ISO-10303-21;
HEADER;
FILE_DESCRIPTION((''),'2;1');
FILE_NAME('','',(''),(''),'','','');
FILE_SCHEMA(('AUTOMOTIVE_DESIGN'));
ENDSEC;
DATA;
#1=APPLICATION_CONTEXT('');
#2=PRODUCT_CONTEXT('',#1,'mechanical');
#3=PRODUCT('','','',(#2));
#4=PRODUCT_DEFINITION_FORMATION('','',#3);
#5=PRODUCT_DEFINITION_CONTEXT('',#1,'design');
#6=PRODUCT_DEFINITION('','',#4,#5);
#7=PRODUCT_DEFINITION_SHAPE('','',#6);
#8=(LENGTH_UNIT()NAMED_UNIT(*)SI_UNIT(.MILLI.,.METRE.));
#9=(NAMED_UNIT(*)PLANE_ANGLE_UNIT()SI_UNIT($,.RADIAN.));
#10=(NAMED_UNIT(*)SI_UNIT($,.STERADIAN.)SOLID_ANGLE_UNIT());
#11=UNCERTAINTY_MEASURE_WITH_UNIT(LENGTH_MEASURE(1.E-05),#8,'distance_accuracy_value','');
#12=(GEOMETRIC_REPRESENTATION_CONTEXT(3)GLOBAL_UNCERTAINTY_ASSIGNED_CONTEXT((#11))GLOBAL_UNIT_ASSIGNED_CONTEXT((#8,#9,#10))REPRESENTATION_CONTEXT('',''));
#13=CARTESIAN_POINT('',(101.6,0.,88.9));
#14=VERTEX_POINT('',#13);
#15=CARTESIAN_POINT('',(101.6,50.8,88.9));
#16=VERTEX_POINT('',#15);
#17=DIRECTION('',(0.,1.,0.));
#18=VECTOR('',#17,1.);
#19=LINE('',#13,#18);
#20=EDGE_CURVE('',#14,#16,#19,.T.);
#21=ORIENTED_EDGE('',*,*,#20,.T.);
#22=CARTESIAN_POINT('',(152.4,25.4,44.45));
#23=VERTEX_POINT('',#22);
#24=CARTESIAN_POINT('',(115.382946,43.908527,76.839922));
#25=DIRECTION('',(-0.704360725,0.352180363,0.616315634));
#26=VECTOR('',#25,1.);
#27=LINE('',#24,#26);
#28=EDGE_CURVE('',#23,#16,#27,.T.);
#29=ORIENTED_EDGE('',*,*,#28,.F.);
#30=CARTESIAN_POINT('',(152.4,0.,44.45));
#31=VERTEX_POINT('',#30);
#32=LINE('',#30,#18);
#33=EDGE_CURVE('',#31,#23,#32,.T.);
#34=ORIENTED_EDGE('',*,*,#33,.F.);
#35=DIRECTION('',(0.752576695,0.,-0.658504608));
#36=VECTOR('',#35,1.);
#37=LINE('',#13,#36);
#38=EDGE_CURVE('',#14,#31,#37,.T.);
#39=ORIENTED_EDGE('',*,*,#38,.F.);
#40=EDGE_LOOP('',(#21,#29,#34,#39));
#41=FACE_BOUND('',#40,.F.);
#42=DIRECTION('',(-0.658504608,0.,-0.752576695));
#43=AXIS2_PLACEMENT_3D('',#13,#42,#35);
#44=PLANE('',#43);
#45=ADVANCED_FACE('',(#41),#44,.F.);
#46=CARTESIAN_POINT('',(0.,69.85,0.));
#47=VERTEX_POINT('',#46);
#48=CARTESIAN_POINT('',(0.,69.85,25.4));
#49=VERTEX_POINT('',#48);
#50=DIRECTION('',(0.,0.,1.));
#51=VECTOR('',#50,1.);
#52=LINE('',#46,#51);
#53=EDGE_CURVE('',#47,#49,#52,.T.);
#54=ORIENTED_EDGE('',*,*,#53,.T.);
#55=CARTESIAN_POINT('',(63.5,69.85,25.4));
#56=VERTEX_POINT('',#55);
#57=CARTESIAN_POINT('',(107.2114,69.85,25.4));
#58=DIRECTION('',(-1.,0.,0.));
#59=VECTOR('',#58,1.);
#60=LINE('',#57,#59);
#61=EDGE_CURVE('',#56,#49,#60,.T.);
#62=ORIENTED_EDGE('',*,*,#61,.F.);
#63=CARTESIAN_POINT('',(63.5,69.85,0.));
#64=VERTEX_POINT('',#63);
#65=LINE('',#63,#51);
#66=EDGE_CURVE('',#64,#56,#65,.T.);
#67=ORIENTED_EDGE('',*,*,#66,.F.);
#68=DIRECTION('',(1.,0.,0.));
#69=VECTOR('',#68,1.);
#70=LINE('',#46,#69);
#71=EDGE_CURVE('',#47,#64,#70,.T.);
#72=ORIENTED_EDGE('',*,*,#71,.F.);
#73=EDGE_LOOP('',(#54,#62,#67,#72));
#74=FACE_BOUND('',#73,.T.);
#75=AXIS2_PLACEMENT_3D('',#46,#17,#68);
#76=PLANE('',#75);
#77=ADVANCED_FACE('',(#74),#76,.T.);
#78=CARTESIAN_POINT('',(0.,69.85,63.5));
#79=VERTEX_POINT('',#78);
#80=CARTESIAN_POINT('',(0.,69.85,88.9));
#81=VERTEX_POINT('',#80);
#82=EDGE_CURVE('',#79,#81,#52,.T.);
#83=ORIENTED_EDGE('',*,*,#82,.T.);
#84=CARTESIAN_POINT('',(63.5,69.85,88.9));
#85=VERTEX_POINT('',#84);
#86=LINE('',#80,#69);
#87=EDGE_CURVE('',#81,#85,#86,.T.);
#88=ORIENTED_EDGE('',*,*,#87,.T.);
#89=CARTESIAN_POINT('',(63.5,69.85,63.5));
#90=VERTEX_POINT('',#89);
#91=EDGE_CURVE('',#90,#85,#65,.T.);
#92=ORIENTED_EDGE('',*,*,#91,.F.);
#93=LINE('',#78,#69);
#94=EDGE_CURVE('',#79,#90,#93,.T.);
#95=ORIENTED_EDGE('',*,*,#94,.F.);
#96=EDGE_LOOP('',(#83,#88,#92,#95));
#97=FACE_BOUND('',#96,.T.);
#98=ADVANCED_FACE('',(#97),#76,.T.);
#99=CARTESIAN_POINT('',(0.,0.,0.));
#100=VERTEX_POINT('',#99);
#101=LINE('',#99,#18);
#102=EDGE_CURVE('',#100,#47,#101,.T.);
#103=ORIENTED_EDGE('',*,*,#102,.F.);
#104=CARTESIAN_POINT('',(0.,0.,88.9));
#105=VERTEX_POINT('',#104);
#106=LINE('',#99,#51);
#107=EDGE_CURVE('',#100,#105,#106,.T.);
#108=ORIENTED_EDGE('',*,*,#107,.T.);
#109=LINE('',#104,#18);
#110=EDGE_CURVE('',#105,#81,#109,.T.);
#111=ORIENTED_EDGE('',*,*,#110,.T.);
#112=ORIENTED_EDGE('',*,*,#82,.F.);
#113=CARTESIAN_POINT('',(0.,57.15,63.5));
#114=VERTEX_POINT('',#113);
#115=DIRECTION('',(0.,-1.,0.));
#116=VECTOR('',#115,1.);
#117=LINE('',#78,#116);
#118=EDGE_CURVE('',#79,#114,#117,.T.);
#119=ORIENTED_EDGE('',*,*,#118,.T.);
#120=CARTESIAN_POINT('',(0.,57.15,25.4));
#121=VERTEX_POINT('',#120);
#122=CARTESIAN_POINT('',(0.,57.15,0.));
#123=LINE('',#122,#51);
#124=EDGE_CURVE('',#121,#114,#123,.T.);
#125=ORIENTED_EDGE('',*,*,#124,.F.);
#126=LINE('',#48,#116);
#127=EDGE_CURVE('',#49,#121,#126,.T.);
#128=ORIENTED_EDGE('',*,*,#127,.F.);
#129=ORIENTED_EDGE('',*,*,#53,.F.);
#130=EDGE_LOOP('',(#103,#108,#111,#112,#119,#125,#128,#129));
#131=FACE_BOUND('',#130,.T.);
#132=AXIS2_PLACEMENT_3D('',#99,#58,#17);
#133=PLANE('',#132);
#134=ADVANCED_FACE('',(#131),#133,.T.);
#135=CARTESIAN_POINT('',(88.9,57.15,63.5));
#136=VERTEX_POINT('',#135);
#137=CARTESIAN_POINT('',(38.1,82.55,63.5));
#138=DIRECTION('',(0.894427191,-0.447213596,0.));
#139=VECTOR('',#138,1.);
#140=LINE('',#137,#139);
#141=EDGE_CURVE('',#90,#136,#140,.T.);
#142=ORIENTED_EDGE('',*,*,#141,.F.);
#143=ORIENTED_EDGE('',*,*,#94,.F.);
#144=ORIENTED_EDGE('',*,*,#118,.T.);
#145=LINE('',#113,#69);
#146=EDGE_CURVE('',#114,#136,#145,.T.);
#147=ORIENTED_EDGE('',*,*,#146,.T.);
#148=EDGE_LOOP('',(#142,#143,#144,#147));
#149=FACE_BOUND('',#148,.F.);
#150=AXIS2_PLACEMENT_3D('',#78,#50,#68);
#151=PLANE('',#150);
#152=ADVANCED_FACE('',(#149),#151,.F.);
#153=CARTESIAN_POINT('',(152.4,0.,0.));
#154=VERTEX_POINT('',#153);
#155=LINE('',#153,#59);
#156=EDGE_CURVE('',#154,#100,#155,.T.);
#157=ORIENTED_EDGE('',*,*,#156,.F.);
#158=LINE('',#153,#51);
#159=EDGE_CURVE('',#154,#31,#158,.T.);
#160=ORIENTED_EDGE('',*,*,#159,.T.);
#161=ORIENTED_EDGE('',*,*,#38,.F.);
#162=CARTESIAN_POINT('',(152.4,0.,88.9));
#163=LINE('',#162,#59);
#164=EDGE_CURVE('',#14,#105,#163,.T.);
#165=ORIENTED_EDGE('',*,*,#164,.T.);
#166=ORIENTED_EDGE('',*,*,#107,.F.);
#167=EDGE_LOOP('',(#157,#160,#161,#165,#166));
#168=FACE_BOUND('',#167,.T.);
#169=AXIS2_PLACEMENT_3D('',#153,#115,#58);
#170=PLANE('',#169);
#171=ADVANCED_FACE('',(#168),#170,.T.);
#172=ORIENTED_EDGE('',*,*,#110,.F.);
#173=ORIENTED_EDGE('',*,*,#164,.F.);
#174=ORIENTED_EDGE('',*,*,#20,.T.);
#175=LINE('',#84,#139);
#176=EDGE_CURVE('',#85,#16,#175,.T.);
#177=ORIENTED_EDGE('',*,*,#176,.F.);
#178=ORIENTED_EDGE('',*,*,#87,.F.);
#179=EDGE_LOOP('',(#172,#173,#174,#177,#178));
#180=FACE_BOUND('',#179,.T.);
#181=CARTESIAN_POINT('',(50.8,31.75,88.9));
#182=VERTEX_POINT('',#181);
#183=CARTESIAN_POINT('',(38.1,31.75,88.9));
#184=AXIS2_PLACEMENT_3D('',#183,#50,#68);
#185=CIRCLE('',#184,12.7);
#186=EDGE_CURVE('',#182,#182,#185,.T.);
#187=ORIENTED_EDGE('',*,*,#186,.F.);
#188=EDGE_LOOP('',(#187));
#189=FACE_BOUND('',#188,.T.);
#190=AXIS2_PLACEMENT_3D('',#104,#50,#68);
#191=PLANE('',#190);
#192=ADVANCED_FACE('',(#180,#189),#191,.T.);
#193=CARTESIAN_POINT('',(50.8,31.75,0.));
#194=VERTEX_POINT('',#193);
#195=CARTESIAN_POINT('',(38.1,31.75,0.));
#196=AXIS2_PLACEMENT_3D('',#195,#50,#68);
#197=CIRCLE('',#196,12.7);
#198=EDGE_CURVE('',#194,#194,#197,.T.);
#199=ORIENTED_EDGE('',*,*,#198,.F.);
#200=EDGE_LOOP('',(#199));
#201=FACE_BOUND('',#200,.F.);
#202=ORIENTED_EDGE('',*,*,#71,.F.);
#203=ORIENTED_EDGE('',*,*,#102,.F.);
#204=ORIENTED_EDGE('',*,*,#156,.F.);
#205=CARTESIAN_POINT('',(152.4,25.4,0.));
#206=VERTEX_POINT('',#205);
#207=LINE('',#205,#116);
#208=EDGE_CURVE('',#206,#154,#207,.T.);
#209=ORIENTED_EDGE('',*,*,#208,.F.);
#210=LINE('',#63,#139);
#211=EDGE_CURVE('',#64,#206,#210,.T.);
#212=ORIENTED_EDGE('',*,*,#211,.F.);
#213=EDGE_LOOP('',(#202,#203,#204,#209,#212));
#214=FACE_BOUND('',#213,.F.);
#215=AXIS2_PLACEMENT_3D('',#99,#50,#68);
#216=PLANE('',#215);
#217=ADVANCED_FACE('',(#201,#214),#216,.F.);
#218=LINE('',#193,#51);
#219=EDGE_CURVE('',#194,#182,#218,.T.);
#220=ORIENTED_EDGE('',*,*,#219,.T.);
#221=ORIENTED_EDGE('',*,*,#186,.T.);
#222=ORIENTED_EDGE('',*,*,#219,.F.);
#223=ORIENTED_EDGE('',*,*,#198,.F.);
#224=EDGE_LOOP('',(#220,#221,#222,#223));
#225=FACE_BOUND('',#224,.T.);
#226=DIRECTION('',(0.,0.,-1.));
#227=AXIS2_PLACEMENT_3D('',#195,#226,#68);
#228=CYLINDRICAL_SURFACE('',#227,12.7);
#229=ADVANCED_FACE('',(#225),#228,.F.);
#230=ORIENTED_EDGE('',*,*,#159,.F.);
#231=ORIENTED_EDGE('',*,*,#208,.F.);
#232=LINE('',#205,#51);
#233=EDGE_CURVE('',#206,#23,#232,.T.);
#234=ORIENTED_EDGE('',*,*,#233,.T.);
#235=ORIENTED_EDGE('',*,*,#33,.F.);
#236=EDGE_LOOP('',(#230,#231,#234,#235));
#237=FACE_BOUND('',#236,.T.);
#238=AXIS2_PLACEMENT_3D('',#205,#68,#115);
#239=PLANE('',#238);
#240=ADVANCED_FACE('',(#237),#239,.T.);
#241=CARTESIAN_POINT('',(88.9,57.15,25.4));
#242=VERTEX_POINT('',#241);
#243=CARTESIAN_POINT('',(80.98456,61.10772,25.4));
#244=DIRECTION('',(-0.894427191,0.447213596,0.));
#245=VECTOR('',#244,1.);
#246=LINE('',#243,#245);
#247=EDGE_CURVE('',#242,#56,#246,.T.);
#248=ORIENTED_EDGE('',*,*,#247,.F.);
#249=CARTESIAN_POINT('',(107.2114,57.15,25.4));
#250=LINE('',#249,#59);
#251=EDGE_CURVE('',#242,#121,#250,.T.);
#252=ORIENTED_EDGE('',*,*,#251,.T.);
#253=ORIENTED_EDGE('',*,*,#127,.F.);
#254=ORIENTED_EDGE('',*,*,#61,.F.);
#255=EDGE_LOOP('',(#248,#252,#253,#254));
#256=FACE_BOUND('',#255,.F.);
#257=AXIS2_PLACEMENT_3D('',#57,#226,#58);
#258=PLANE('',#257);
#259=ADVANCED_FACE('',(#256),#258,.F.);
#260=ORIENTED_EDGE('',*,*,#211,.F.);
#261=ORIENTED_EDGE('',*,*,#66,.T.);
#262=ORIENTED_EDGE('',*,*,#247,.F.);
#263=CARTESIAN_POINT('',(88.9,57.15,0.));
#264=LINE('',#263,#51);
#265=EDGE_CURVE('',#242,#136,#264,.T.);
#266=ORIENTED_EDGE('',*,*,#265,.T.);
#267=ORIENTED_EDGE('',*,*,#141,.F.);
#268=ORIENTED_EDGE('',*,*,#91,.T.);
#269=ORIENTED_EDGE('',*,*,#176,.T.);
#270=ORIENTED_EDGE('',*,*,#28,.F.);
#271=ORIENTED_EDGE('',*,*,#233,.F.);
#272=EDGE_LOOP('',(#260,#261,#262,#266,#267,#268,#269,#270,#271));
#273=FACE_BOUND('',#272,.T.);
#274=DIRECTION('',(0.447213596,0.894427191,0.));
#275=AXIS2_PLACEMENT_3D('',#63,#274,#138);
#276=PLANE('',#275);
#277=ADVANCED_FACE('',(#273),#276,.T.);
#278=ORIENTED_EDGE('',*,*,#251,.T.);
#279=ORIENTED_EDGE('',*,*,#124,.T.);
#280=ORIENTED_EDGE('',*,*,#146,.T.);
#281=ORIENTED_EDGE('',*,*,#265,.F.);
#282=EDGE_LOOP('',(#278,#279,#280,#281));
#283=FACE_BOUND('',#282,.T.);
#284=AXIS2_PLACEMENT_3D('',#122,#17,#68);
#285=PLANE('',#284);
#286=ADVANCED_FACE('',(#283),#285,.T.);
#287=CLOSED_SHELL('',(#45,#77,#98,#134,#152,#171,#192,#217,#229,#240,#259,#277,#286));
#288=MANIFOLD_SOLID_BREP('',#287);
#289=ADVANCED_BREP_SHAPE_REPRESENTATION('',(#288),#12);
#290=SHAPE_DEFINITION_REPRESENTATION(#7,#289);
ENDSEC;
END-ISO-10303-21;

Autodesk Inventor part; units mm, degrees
ref_plane "YZ Plane" through (0, 0, 0) normal (1, 0, 0) x (0, 1, 0)
ref_plane "XZ Plane" through (0, 0, 0) normal (0, 1, 0) x (-1, 0, 0)
ref_plane "XY Plane" through (0, 0, 0) normal (0, 0, 1) x (1, 0, 0)
sketch "Sketch1" plane through (0, 0, 0) normal (0, 0, 1) x (1, 0, 0)
  line L0 (0, 0) -> (0, 69.85)
  line L1 (0, 69.85) -> (63.5, 69.85)
  line L2 (152.4, 0) -> (0, 0)
  line L3 (63.5, 69.85) -> (152.4, 25.4)
  line L4 (152.4, 25.4) -> (152.4, 0)
  circle A0 centre (38.1, 31.75) radius 12.7
  dimension "d0" = 69.85
  dimension "d1" = 152.4
  dimension "d2" = 63.5
  dimension "d3" = 25.4
  dimension "d4" = 25.4
  dimension "d5" = 38.1
  dimension "d6" = 31.75
extrude "Extrusion1" add sketch "Sketch1" along normal blind 88.9
sketch "Sketch2" plane through (0, 0, 0) normal (0, -1, 0) x (1, 0, 0)
  line L0 (152.4, 88.9) -> (152.4, 44.45)
  line L1 (152.4, 0) -> (152.4, 88.9) projected
  line L2 (152.4, 44.45) -> (152.4, 0)
  line L3 (0, 88.9) -> (101.6, 88.9)
  line L4 (0, 88.9) -> (152.4, 88.9) projected
  line L5 (101.6, 88.9) -> (152.4, 44.45)
  line L6 (101.6, 88.9) -> (152.4, 88.9)
  point P0 (0, 0)
  dimension "d9" = 44.45
  dimension "d11" = 101.6
extrude "Extrusion2" cut sketch "Sketch2" against normal blind 88.9
sketch "Sketch3" plane through (0, 69.85, 0) normal (0, 1, 0) x (1, 0, 0)
  line L0 (0, 0) -> (0, -88.9) projected
  line L1 (0, -63.5) -> (107.2114, -63.5)
  line L2 (107.2114, -63.5) -> (107.2114, -25.4)
  line L3 (107.2114, -25.4) -> (0, -25.4)
  line L4 (0, -25.4) -> (0, -63.5)
  dimension "d14" = 25.4
  dimension "d15" = 25.4
extrude "Extrusion3" cut sketch "Sketch3" against normal blind 12.7
equation "\"d0\" = 2.75 * d3"
equation "\"d5\" = 0.25 * d1"
equation "\"d6\" = 1.25 * d3"
properties part number "HW 5 Part 3"
